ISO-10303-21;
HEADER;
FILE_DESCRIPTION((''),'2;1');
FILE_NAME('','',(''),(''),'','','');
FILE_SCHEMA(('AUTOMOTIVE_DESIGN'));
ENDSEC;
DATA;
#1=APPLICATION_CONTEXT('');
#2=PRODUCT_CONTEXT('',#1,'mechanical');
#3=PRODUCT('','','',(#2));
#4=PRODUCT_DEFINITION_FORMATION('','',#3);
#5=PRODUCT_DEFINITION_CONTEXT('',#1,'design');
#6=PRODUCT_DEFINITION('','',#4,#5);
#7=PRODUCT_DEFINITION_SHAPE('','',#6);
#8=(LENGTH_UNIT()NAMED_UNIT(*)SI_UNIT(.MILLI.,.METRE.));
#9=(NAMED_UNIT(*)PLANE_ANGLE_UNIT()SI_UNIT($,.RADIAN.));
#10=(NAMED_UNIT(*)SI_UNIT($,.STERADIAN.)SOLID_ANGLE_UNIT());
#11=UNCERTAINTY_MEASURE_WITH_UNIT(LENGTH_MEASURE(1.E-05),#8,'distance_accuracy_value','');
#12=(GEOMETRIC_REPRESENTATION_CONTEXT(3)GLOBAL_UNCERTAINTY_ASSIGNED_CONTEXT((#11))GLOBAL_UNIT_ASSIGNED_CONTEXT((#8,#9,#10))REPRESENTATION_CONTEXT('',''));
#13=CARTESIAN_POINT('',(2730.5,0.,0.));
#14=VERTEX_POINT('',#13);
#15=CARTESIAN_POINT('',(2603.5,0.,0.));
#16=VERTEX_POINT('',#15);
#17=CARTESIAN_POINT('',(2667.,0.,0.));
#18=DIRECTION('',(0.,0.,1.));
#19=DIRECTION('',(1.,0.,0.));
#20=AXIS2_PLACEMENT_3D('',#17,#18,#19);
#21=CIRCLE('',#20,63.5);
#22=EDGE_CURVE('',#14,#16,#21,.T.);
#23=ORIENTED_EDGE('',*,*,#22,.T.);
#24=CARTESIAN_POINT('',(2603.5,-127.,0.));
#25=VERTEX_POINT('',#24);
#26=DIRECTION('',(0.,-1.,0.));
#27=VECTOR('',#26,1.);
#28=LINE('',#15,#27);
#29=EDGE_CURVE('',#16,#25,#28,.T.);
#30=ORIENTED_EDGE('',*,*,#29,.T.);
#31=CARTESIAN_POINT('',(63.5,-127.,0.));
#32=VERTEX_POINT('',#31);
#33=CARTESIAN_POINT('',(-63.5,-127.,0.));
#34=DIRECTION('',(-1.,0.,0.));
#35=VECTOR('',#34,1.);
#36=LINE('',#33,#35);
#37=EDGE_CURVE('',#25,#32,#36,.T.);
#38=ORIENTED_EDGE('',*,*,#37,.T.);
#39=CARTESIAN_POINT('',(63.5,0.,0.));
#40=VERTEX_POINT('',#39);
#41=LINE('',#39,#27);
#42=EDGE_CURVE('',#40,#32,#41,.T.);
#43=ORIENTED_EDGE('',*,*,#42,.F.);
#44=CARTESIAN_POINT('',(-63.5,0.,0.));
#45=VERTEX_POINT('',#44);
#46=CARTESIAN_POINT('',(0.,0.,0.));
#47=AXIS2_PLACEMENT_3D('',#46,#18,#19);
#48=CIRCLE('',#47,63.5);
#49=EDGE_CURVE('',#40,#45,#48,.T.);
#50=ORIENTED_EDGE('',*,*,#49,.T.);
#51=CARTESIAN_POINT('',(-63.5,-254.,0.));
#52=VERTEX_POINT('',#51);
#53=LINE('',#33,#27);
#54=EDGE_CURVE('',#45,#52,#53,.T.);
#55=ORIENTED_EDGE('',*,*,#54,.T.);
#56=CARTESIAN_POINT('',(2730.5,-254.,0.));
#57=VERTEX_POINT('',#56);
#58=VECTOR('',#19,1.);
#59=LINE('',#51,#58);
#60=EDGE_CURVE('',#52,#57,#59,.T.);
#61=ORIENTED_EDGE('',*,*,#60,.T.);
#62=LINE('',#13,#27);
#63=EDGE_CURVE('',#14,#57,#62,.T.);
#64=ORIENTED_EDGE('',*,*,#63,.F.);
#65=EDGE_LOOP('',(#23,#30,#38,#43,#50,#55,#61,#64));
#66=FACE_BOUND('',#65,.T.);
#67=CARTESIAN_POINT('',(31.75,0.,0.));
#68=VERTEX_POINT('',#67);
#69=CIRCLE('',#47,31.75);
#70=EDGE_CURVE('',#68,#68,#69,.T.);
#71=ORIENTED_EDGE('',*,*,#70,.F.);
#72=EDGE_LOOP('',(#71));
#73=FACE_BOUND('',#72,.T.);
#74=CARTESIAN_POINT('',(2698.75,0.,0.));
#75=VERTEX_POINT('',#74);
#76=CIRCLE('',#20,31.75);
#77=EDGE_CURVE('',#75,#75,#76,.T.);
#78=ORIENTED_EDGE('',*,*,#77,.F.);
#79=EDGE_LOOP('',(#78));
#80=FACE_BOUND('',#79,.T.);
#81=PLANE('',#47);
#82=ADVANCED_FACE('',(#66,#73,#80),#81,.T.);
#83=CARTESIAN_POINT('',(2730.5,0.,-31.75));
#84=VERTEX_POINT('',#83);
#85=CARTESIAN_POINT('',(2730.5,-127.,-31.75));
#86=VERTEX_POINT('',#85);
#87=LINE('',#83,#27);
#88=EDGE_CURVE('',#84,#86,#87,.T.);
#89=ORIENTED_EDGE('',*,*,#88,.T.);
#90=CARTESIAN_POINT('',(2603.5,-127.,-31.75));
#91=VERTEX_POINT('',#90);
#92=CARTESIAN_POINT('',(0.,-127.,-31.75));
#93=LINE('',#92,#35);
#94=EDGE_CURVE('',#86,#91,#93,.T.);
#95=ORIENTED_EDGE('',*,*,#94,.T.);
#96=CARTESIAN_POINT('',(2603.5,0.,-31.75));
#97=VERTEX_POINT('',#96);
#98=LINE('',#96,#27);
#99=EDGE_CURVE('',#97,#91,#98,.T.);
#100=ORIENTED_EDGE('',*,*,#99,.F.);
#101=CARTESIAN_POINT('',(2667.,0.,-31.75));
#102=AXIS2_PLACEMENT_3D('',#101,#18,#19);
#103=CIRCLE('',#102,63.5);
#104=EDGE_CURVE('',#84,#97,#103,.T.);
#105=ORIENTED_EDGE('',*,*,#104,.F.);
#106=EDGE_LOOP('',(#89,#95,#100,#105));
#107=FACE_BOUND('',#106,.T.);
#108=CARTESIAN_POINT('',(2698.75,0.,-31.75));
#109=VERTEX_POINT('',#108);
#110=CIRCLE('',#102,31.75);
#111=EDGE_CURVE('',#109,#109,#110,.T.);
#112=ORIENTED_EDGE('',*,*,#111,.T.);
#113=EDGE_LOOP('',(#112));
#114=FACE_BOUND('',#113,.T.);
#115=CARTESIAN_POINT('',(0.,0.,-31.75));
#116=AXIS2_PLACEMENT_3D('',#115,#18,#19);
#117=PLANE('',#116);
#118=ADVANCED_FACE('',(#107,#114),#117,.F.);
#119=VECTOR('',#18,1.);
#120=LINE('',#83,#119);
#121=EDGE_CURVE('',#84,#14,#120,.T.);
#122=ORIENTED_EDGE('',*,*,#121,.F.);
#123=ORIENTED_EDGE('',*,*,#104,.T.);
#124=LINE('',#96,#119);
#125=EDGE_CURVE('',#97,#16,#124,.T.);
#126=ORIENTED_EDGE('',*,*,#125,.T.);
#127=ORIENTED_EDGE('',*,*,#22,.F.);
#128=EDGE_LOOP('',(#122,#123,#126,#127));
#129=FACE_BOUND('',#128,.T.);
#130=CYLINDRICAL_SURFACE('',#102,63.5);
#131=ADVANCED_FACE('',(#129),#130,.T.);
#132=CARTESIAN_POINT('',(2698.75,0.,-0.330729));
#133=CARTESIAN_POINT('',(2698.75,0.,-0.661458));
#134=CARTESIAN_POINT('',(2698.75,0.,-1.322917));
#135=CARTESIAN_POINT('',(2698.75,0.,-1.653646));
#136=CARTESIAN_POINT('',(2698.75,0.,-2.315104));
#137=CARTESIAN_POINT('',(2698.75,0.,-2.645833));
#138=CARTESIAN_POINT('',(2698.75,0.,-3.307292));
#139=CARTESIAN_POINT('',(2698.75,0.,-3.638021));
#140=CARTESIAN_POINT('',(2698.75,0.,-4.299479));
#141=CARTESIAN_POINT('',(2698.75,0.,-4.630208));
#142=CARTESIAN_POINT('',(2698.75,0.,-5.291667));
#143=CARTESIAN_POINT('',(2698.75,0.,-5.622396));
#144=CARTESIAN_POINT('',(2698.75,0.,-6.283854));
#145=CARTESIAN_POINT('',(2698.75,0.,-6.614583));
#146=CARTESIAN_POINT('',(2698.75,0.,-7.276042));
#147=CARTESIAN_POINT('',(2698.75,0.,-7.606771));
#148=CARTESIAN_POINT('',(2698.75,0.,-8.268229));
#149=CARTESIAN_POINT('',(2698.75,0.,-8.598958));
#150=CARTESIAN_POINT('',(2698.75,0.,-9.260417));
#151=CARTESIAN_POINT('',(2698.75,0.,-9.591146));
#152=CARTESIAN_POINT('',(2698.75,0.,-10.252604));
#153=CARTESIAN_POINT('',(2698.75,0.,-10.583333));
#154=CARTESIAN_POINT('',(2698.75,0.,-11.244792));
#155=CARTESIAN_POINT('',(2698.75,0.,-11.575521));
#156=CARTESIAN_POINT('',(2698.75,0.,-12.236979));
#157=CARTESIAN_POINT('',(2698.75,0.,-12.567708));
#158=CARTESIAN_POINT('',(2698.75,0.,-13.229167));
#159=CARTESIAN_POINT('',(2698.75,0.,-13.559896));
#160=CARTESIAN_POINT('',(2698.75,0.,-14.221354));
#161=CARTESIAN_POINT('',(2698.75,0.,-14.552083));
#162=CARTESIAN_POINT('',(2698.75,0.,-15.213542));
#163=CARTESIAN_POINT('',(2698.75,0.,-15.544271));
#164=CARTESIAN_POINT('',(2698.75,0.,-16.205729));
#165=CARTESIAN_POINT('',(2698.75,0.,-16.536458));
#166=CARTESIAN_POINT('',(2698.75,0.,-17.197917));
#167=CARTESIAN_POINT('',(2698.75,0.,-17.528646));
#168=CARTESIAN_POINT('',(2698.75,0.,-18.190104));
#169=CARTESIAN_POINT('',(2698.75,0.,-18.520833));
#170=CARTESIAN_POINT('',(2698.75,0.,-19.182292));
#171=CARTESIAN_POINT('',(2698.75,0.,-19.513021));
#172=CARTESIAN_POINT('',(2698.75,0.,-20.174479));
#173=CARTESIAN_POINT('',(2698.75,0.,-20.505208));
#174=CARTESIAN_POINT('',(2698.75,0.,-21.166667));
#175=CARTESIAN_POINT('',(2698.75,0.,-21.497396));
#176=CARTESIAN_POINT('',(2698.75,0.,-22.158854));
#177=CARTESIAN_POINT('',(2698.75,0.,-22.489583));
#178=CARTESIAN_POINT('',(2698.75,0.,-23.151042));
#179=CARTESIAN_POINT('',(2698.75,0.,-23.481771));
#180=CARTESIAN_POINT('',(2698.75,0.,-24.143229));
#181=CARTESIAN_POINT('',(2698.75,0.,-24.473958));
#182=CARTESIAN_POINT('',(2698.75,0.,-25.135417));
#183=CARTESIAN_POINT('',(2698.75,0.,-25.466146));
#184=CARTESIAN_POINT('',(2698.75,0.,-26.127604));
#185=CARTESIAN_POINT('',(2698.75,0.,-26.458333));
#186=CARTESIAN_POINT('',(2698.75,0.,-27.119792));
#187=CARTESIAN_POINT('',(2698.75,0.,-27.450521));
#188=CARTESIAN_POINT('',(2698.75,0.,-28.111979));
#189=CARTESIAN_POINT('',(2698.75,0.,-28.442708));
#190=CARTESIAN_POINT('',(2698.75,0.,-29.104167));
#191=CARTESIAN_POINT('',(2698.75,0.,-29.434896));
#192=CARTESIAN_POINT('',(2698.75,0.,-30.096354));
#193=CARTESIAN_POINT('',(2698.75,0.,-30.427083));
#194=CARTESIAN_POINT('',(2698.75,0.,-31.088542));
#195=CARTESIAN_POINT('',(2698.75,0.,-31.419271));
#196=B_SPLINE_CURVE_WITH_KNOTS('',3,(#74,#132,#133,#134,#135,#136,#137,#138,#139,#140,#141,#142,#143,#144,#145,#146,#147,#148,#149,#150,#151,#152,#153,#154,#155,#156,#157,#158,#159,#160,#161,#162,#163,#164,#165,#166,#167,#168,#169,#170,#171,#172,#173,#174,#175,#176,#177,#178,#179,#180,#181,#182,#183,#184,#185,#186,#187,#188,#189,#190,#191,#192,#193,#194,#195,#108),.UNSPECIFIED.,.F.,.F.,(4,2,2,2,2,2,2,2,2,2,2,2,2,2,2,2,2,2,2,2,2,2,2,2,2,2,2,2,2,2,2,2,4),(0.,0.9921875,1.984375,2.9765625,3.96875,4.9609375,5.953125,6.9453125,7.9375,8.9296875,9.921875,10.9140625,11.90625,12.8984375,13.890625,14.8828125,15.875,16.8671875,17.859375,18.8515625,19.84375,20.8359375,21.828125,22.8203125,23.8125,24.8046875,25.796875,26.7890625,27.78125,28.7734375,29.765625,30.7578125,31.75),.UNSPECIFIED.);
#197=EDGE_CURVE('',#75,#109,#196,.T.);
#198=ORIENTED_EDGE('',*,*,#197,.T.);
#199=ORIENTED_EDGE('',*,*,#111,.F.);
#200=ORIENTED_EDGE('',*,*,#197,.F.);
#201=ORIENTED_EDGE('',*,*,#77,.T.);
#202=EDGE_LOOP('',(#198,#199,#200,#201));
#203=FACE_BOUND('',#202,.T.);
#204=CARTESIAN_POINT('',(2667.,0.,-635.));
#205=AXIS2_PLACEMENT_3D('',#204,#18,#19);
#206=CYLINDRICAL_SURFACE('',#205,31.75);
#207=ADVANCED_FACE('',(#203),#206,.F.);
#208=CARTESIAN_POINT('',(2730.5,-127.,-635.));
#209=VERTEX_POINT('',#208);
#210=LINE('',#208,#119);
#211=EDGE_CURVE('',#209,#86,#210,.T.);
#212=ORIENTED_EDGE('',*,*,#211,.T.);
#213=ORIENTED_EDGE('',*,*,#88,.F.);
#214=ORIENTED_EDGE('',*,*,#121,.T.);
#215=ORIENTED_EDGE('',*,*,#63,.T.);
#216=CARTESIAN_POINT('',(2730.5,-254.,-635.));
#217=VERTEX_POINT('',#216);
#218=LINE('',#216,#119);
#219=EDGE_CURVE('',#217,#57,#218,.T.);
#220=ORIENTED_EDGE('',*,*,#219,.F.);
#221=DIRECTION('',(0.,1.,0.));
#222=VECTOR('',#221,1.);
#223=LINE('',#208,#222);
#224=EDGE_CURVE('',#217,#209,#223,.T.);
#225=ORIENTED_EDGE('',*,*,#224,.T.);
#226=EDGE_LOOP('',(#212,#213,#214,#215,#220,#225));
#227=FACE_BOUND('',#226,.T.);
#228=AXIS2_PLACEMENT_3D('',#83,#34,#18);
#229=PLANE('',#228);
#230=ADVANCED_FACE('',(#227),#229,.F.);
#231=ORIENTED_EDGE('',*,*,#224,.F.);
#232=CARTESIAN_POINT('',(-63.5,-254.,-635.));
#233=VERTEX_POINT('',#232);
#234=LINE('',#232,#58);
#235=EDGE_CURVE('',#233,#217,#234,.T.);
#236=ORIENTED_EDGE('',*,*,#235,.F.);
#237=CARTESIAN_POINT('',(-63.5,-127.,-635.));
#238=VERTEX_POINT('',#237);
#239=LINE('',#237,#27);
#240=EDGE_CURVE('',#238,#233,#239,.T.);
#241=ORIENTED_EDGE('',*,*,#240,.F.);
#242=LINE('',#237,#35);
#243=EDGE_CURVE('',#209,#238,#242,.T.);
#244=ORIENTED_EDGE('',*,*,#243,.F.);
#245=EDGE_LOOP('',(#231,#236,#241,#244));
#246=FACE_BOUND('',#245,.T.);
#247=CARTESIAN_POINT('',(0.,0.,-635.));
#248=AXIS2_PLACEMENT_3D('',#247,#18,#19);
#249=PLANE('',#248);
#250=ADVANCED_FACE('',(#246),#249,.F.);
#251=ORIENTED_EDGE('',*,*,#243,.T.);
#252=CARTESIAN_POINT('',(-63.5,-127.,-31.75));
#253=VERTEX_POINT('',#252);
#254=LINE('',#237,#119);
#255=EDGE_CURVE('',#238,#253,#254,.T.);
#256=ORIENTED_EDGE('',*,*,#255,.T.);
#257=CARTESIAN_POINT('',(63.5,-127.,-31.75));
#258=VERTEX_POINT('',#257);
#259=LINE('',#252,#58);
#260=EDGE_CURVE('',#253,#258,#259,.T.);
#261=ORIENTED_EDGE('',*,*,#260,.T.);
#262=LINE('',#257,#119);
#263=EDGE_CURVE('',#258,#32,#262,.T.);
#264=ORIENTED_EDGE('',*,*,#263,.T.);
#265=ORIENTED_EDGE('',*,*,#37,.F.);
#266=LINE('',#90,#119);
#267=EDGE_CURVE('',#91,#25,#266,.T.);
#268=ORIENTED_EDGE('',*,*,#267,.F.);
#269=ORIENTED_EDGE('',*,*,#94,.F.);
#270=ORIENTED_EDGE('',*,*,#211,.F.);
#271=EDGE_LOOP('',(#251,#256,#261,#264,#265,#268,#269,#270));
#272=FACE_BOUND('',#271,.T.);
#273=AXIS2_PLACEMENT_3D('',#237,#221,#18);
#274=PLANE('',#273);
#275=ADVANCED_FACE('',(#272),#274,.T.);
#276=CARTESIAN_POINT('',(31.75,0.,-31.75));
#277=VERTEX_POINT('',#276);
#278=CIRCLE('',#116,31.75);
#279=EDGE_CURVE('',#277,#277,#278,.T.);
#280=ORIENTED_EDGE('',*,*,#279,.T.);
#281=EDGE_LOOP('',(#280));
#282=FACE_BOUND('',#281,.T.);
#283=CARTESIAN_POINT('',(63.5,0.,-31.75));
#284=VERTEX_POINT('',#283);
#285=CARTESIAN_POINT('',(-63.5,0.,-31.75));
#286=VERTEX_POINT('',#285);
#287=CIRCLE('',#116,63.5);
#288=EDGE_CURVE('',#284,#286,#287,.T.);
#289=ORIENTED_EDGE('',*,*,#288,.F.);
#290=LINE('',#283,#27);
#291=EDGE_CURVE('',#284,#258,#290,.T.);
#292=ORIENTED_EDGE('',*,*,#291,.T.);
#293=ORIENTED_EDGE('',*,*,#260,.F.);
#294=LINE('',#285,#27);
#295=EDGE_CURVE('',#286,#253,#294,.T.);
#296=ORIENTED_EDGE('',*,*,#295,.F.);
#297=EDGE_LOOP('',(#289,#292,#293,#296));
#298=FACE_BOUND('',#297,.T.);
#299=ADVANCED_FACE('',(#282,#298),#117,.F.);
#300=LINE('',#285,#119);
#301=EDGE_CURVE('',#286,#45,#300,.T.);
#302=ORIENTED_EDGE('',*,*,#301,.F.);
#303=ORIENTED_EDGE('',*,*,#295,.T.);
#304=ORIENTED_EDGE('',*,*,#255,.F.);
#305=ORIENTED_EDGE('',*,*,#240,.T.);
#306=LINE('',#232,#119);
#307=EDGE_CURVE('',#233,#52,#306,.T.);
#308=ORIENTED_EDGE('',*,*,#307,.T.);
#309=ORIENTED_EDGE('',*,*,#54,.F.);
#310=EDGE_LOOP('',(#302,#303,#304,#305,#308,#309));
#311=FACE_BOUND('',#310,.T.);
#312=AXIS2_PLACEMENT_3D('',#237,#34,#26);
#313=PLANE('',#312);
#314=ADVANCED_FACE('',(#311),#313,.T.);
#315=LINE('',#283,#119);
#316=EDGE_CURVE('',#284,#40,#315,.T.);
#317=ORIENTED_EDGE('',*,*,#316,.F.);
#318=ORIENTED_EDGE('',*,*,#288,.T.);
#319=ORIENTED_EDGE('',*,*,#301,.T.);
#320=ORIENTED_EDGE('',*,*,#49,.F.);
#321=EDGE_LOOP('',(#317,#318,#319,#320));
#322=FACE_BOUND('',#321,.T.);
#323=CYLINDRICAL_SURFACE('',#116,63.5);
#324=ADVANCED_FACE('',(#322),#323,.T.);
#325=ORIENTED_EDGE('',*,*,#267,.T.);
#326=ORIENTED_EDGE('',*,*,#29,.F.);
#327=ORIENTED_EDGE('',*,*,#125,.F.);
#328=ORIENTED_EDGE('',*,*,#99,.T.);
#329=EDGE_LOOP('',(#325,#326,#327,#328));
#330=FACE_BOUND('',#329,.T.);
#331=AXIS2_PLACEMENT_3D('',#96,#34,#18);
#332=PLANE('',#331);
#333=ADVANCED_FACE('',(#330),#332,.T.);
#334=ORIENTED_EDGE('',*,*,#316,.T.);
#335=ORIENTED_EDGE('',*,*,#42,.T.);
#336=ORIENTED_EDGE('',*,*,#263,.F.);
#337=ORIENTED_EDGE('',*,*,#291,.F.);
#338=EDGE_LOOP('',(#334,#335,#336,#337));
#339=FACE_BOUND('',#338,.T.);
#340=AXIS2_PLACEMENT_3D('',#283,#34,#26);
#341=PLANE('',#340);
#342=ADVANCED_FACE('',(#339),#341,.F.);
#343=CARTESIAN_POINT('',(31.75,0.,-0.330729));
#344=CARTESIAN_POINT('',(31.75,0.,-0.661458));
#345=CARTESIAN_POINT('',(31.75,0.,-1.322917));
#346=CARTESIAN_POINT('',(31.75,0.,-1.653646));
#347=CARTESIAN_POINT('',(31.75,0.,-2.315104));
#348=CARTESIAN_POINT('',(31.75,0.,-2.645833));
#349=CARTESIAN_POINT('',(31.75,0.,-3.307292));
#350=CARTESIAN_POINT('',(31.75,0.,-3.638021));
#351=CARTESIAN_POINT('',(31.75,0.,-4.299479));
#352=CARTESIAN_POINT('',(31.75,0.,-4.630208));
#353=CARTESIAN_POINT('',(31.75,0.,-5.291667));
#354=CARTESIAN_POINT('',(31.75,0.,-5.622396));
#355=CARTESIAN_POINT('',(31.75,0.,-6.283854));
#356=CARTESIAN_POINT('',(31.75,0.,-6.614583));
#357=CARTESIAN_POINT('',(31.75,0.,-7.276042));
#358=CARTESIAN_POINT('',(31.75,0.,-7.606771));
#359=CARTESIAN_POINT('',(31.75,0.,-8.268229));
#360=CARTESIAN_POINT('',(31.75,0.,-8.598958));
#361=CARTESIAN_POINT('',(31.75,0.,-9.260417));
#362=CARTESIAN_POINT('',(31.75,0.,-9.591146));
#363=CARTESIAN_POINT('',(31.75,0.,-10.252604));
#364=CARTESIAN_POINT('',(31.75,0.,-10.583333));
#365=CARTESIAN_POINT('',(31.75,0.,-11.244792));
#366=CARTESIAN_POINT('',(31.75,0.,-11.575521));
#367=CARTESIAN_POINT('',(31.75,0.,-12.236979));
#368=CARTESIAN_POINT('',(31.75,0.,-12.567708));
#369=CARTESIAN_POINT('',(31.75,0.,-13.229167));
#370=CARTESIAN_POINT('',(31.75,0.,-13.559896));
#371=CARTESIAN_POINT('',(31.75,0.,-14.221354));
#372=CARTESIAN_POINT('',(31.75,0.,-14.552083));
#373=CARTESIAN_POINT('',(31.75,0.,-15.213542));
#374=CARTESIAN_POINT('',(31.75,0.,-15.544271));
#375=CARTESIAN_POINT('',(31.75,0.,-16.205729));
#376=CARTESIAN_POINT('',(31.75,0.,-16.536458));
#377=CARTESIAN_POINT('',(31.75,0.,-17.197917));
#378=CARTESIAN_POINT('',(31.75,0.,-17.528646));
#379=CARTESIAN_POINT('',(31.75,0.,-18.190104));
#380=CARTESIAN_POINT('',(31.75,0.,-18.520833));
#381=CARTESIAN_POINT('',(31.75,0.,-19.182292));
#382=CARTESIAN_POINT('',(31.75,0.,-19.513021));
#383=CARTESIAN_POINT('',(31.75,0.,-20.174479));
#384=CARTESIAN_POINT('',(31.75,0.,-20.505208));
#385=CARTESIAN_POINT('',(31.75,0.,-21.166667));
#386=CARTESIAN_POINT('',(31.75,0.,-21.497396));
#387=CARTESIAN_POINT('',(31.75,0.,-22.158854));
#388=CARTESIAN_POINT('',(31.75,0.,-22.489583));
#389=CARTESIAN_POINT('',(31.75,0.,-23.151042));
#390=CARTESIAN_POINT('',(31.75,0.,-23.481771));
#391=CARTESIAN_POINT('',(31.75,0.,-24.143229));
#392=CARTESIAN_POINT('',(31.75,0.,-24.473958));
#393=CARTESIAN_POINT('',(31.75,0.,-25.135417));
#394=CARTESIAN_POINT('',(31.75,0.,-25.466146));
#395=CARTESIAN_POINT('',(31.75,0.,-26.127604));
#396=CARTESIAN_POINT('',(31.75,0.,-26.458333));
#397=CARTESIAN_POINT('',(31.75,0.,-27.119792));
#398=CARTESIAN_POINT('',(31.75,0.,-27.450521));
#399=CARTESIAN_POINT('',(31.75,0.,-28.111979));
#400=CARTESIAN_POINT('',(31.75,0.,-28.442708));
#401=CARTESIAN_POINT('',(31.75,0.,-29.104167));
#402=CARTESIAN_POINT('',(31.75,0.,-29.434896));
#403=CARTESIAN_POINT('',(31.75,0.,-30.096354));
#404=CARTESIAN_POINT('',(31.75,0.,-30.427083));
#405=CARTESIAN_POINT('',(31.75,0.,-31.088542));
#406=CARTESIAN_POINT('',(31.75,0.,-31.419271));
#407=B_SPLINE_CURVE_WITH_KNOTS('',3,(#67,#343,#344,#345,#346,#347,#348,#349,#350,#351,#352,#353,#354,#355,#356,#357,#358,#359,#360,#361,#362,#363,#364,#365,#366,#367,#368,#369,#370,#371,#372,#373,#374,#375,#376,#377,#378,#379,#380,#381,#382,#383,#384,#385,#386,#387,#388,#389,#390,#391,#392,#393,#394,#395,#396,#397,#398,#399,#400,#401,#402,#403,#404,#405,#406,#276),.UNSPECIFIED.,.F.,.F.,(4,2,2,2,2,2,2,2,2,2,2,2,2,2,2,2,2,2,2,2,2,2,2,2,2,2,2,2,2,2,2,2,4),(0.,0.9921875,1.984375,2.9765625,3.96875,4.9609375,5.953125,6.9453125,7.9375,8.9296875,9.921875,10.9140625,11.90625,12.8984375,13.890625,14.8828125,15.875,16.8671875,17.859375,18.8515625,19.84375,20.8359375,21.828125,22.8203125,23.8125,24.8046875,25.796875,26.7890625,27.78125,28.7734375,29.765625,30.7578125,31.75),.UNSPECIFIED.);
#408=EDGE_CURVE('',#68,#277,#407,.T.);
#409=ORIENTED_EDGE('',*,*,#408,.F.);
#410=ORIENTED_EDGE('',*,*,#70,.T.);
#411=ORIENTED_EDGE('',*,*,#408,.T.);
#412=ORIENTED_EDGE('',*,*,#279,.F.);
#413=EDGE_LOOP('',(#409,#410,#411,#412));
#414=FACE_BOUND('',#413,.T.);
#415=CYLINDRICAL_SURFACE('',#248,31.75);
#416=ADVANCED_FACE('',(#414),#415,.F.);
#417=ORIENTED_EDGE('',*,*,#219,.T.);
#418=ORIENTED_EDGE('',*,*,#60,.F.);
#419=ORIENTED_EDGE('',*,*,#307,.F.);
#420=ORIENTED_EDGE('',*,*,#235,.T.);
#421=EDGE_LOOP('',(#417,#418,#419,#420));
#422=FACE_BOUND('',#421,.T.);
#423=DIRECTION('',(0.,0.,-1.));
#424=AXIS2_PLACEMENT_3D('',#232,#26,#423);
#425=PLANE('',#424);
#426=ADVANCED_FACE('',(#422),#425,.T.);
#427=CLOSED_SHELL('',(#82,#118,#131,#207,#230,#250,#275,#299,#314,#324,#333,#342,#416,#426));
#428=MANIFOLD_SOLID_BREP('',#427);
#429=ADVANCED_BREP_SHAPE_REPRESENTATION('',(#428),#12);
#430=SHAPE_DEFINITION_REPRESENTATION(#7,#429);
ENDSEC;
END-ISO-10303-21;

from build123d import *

# Parameters (mm, degrees)
SKETCH1_R           = 63.5
SKETCH1_W           = 127
SKETCH1_H           = 127
BOSS_EXTRUDE1_DEPTH = 31.75
SKETCH2_W           = 2794
SKETCH2_H           = 127
BOSS_EXTRUDE2_DEPTH = 635
SKETCH3_R           = 31.75
CUT_EXTRUDE1_DEPTH  = 2815.848352931


with BuildPart() as part:
    # Sketch1 → Boss-Extrude1 (new body)
    with BuildSketch(Plane.XY):
        Circle(SKETCH1_R)
        with Locations((2667, 0)):
            Circle(SKETCH1_R)
        with Locations((0, -63.5)):
            Rectangle(SKETCH1_W, SKETCH1_H)
        with Locations((2667, -63.5)):
            Rectangle(SKETCH1_W, SKETCH1_H)
    extrude(amount=-BOSS_EXTRUDE1_DEPTH)

    # Sketch2 → Boss-Extrude2 (add)
    with BuildSketch(Plane.XY):
        with Locations((1333.5, -190.5)):
            Rectangle(SKETCH2_W, SKETCH2_H)
    extrude(amount=-BOSS_EXTRUDE2_DEPTH)

    # Sketch3 → Cut-Extrude1 (cut, through all)
    with BuildSketch(Plane.XY):
        Circle(SKETCH3_R)
        with Locations((2667, 0)):
            Circle(SKETCH3_R)
    extrude(amount=-CUT_EXTRUDE1_DEPTH, mode=Mode.SUBTRACT)


solid = part.part
